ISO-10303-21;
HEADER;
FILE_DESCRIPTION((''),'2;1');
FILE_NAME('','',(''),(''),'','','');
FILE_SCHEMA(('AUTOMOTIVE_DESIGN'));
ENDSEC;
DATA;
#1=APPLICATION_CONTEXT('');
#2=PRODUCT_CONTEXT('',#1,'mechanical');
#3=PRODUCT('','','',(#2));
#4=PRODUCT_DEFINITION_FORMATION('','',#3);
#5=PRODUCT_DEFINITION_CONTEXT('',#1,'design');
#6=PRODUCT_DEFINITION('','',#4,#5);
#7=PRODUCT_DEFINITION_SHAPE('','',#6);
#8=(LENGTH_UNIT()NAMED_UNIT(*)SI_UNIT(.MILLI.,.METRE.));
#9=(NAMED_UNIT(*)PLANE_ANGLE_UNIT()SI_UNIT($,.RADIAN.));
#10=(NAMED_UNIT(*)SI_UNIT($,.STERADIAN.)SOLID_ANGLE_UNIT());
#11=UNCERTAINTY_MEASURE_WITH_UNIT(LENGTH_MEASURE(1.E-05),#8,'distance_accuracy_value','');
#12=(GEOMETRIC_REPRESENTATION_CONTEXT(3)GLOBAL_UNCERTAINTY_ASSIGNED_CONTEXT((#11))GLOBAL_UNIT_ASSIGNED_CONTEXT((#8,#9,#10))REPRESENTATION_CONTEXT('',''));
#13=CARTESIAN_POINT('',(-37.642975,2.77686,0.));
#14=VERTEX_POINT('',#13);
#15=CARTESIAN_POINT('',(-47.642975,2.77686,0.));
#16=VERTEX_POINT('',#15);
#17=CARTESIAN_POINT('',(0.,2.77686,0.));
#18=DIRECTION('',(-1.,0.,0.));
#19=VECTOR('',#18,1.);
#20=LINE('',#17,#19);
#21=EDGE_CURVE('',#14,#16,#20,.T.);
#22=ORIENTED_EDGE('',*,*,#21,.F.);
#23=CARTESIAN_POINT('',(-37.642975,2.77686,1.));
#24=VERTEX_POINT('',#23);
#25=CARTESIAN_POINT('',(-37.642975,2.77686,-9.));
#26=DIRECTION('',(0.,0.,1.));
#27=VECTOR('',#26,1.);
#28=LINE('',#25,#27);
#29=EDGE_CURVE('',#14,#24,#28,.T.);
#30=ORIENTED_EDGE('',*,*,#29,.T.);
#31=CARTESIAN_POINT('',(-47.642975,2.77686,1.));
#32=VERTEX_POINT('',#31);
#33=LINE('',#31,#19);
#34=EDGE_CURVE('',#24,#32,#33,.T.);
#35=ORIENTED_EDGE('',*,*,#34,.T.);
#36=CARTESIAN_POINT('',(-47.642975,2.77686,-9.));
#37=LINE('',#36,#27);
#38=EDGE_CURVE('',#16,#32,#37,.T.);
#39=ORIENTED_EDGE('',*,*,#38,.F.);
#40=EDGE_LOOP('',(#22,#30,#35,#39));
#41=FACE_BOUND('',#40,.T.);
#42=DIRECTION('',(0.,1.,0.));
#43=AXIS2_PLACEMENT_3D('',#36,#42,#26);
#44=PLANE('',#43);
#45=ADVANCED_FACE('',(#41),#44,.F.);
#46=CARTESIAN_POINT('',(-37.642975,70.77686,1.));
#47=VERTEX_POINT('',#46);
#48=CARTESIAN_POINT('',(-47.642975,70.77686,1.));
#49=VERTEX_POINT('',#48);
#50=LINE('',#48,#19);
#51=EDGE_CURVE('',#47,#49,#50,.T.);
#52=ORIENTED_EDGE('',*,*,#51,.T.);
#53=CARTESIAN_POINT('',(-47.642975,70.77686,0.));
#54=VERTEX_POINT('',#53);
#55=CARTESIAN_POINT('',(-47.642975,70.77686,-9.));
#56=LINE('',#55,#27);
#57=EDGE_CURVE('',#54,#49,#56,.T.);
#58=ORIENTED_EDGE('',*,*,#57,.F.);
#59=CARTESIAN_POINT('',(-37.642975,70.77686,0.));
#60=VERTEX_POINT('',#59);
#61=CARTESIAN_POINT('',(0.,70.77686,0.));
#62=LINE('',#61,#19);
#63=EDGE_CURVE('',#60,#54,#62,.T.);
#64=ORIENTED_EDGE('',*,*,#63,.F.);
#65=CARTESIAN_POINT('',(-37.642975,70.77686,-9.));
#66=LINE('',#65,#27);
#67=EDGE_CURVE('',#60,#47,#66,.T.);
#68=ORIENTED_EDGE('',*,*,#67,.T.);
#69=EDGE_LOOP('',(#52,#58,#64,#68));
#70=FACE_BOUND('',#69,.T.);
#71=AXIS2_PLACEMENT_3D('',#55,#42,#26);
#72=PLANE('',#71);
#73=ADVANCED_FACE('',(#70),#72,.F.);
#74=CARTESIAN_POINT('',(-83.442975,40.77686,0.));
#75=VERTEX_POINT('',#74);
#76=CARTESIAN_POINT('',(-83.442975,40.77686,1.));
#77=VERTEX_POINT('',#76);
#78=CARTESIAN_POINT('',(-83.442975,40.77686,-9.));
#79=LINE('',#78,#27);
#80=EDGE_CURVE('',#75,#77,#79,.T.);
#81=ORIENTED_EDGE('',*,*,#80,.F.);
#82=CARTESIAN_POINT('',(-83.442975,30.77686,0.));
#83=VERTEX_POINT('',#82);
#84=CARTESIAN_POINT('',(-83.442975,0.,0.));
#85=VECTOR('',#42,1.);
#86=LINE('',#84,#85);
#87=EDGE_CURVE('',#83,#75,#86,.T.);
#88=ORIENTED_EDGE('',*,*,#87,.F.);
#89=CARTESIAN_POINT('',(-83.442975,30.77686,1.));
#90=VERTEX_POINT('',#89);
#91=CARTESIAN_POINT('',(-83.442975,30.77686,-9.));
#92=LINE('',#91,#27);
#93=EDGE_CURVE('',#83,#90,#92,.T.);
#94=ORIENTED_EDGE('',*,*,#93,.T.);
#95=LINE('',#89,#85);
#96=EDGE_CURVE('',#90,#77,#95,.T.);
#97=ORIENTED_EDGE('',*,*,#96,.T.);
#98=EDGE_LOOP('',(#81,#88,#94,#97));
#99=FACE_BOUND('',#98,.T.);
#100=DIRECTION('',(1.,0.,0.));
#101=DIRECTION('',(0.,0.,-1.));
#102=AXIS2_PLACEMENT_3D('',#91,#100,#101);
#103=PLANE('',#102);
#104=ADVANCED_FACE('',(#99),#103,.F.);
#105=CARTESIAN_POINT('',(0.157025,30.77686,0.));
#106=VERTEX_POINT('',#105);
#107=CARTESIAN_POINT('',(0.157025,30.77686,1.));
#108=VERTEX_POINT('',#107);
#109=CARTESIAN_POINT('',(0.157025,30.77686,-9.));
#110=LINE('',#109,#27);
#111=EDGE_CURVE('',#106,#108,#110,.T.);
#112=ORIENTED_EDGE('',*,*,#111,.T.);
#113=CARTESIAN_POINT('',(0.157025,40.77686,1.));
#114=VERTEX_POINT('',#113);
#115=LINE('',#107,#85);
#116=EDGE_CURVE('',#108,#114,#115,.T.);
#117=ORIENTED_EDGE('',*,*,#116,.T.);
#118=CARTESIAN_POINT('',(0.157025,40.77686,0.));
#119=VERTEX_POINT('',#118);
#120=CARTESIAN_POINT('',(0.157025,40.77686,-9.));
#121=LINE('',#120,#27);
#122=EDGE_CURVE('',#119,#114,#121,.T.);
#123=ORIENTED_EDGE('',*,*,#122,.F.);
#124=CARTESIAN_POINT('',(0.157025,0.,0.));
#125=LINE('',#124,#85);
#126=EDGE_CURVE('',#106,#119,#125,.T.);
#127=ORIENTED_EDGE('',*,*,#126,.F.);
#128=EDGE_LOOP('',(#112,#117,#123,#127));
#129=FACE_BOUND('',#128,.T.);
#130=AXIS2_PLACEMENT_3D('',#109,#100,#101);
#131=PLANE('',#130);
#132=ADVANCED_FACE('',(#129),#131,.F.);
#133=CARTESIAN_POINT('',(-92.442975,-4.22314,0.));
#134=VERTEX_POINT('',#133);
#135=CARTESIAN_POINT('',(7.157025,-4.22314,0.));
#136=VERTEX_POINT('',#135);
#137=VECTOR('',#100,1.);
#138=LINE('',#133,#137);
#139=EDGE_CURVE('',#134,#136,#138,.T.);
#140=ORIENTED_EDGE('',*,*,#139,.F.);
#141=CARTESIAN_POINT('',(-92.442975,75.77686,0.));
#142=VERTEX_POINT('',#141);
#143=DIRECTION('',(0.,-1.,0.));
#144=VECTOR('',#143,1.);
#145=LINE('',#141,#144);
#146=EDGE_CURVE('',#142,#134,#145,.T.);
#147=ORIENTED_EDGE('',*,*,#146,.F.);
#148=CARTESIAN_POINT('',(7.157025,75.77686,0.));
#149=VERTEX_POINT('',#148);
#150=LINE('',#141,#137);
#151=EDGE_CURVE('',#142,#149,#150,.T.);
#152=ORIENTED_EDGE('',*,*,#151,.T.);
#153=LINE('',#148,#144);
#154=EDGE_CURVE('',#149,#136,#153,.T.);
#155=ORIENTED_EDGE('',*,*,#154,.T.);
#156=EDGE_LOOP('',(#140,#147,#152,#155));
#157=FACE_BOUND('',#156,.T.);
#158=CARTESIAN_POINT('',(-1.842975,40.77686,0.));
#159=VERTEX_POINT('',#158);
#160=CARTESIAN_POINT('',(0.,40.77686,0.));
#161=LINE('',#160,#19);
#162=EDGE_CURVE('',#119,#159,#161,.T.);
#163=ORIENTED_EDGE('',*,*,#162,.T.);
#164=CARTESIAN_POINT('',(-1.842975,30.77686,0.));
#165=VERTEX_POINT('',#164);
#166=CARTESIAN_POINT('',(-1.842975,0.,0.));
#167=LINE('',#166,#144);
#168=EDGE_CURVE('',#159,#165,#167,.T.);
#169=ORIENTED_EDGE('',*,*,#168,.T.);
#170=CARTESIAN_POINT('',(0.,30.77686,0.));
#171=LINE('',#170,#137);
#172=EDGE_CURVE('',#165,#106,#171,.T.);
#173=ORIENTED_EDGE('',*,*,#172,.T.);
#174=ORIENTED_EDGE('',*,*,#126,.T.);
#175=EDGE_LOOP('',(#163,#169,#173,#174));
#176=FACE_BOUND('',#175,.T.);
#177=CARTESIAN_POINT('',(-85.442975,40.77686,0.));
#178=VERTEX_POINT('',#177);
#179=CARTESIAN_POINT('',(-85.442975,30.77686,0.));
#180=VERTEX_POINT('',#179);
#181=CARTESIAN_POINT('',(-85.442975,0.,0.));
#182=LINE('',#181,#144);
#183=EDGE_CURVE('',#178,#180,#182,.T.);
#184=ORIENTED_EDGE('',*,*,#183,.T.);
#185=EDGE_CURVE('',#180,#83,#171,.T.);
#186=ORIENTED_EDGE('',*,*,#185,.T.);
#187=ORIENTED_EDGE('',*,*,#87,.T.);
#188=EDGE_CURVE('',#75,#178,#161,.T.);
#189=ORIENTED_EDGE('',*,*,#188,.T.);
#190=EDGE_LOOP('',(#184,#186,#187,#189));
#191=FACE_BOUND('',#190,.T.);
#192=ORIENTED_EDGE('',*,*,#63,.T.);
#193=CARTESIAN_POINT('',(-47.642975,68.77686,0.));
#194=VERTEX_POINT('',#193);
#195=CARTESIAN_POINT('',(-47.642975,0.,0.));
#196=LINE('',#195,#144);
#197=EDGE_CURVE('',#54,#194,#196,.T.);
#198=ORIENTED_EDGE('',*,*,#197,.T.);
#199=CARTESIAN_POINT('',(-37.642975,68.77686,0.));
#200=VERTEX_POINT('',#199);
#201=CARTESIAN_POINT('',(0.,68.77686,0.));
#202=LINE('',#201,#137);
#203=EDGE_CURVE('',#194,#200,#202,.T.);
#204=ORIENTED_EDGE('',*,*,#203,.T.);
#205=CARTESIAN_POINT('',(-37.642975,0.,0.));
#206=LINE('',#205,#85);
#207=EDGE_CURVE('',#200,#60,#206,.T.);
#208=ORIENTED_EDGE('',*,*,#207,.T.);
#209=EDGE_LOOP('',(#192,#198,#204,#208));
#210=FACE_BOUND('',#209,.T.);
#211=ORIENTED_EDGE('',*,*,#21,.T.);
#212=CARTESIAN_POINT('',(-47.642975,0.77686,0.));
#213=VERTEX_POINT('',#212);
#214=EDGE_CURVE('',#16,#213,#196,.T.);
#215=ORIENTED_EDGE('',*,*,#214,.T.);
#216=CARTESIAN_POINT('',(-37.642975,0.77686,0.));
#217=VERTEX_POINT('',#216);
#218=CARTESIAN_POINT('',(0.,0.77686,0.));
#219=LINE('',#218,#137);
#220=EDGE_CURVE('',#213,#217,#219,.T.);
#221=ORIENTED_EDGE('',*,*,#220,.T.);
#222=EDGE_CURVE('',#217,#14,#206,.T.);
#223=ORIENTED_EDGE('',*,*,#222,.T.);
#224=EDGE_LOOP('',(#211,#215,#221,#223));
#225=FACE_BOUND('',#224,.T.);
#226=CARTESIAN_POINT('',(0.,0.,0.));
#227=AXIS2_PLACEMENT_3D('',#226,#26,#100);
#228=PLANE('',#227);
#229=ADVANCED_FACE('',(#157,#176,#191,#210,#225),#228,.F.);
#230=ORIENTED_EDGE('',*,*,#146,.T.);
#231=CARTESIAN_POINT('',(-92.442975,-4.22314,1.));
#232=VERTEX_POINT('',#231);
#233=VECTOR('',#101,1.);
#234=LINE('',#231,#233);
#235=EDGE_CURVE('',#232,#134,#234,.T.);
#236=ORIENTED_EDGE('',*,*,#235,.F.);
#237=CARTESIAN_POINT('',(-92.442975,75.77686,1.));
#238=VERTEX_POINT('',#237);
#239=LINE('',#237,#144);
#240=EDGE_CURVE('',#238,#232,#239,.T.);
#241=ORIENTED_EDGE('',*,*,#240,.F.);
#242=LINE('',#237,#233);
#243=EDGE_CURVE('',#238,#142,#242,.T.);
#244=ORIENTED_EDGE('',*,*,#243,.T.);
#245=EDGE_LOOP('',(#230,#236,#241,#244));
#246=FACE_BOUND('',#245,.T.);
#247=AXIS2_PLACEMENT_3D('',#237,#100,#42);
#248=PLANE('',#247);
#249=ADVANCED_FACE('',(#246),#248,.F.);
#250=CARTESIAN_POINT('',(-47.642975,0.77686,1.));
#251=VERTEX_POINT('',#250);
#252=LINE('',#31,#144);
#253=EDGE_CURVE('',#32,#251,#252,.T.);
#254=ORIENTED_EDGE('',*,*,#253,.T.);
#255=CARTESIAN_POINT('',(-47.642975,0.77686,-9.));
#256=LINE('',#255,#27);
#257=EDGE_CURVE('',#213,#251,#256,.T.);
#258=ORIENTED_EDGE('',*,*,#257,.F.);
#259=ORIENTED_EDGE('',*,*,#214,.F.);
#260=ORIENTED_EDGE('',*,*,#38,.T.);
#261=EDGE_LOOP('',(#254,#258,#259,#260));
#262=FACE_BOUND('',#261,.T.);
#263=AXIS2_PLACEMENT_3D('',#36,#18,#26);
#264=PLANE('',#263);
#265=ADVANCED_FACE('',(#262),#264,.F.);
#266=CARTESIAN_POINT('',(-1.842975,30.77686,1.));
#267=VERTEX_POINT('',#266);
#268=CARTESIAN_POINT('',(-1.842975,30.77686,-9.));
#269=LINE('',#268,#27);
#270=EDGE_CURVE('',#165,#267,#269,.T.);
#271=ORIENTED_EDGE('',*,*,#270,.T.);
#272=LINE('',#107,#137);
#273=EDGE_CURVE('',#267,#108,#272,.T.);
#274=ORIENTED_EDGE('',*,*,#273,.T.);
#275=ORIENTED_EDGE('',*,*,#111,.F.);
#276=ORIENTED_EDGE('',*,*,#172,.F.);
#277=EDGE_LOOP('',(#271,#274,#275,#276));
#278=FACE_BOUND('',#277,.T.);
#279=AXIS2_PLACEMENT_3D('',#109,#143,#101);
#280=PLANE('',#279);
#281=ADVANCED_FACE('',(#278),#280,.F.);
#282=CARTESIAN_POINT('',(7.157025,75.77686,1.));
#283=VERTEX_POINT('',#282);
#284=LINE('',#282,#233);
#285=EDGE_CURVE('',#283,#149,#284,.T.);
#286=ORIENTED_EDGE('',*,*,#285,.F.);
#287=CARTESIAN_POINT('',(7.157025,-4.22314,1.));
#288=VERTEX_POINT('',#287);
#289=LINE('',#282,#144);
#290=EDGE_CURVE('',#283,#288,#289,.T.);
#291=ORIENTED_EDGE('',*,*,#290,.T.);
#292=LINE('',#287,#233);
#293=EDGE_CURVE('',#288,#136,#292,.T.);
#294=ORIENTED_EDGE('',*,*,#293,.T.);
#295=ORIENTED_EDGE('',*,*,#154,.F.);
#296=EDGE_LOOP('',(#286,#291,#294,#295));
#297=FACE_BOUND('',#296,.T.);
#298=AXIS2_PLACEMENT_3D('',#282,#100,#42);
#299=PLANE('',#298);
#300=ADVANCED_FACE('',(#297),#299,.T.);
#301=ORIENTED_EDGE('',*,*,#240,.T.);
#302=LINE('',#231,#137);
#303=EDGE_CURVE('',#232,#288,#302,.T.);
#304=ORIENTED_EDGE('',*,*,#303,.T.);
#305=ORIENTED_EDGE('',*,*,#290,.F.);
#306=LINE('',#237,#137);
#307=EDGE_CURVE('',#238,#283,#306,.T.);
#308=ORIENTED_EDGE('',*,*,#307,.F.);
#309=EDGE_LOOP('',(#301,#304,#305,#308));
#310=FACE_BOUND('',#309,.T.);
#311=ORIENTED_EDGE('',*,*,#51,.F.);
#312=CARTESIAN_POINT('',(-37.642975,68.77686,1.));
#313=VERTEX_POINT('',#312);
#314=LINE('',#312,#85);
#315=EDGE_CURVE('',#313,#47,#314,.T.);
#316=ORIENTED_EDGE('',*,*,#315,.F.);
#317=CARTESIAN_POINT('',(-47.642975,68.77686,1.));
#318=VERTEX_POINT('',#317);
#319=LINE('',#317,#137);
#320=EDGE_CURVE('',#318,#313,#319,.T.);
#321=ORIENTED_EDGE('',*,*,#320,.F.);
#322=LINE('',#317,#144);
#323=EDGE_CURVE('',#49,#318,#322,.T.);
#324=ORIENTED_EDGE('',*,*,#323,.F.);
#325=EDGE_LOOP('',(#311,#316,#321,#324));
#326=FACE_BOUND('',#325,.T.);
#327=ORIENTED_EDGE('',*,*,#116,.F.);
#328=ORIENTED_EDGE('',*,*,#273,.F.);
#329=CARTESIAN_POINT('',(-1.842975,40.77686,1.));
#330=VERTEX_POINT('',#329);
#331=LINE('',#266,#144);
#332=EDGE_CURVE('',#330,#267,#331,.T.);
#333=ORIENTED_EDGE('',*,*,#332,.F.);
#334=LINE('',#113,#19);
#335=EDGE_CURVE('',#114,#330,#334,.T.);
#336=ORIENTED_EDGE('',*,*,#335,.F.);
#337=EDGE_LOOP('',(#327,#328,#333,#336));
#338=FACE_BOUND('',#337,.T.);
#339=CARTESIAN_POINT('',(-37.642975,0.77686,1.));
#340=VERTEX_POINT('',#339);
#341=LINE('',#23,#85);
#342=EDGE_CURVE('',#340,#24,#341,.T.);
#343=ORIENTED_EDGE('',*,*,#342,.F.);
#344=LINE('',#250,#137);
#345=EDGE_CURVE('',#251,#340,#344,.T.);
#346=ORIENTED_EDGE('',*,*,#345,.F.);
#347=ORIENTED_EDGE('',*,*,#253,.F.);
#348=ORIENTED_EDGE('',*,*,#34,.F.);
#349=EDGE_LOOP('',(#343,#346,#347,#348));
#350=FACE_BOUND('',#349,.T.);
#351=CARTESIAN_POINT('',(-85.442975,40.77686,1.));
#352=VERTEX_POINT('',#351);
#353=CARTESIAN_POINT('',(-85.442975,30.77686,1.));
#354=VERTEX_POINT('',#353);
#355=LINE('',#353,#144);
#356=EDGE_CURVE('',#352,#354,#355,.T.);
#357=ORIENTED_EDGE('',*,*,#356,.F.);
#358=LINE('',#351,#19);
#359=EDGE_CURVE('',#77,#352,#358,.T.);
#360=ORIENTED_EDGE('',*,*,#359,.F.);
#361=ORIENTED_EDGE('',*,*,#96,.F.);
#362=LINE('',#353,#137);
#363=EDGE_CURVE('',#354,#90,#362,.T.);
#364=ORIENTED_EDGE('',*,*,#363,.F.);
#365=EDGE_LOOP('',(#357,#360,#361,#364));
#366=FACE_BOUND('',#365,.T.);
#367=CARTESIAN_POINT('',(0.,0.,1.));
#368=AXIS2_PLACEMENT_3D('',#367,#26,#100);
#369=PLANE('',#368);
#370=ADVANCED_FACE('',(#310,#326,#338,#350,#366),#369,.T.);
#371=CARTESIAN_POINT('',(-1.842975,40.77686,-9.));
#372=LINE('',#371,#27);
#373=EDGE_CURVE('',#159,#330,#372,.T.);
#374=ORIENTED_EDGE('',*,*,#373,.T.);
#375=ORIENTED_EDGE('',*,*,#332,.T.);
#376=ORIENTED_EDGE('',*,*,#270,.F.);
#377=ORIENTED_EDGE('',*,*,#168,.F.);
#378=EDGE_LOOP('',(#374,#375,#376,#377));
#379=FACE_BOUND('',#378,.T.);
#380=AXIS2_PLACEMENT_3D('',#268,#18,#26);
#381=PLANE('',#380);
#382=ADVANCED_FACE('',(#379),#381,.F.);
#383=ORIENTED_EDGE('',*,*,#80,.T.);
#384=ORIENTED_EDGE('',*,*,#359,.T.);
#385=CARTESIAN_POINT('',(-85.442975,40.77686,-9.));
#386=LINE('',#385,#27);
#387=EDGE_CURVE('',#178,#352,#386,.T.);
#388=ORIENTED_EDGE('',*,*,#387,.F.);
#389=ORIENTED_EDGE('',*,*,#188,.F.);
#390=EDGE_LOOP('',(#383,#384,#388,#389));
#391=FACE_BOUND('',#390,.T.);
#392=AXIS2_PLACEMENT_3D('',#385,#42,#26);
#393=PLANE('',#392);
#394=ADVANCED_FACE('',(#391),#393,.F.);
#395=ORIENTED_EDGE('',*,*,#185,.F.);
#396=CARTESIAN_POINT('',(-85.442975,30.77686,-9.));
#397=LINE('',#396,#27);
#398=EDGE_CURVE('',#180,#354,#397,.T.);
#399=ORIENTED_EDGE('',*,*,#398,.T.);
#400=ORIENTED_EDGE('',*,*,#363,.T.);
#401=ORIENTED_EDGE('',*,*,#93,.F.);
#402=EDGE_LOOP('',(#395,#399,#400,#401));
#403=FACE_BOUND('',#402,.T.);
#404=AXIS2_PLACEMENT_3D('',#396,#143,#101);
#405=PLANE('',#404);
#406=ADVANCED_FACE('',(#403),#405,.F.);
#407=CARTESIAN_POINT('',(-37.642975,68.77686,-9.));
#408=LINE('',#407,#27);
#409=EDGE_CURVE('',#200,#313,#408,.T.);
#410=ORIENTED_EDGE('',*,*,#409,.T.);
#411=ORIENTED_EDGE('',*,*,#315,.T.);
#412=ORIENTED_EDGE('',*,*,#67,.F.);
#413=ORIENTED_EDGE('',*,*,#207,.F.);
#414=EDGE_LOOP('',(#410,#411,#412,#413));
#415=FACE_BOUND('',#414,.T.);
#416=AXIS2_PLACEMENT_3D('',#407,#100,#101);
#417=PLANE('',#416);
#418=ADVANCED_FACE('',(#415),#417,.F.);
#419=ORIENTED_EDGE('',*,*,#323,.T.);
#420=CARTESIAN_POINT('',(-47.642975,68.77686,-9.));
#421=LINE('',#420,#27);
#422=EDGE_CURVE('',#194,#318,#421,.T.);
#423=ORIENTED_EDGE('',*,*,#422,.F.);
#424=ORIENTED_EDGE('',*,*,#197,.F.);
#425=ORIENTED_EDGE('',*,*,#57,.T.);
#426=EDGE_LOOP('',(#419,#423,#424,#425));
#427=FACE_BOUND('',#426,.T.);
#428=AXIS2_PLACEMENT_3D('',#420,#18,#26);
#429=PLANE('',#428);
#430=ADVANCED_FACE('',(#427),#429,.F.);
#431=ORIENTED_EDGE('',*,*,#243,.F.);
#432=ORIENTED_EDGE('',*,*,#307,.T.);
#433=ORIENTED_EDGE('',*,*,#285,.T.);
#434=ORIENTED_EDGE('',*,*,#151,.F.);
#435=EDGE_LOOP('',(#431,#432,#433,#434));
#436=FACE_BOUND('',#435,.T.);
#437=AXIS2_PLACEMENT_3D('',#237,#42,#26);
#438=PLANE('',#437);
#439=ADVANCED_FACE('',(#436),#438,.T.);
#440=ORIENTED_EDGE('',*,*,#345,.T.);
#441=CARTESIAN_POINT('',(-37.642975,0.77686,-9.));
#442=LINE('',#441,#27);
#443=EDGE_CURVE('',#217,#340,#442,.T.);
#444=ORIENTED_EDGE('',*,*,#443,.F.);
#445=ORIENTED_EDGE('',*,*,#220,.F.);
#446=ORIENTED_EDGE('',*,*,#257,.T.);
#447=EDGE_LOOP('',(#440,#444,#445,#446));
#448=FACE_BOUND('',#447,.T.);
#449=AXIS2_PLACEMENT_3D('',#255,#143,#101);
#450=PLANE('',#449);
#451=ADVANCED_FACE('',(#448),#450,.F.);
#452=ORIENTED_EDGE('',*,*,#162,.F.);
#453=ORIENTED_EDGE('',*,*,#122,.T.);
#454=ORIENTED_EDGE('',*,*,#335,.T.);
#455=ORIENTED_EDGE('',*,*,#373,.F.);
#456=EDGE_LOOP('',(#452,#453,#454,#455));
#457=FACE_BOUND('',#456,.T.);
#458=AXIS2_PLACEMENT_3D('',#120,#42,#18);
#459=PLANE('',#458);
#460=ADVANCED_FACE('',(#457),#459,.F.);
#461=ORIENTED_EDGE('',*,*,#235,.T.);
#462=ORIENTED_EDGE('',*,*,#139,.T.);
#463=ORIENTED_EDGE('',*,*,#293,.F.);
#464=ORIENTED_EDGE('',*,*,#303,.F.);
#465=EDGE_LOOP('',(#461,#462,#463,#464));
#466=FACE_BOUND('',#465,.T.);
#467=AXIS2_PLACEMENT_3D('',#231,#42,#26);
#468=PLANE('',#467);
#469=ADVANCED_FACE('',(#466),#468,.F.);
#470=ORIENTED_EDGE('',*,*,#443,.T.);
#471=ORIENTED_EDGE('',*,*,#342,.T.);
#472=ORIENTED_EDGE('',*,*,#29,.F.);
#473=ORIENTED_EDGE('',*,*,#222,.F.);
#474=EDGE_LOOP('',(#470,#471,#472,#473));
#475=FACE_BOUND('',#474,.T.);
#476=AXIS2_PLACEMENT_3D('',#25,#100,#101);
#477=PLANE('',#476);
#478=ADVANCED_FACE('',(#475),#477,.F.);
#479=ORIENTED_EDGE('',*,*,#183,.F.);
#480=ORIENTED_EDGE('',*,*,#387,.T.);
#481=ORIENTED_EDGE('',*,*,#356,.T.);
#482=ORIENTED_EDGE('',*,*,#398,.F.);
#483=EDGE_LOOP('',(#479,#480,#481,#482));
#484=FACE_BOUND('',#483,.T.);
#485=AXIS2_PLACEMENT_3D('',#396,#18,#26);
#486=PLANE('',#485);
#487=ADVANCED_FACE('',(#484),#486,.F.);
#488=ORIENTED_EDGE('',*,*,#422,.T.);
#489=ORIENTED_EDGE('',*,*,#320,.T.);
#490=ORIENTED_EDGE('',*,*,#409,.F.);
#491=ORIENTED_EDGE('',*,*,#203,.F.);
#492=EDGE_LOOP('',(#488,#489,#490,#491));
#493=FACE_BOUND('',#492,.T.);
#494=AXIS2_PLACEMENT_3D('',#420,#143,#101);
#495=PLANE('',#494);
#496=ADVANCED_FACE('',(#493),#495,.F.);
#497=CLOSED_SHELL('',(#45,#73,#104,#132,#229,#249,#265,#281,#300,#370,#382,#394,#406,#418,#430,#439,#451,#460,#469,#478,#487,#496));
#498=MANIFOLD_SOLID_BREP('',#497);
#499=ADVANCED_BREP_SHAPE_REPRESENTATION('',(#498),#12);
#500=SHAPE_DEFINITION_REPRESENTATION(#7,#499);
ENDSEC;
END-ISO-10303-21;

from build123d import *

# Parameters (mm, degrees)
SKETCH_1_W          = 99.6
SKETCH_1_H          = 80
EXTRUDE_1_DEPTH     = 1
SKETCH_2_W          = 10
SKETCH_2_H          = 2
SKETCH_2_W_2        = 2
SKETCH_2_H_2        = 10
CUT_EXTRUDE_1_DEPTH = 10


with BuildPart() as part:
    # 草图1 → 凸台-拉伸1 (new body)
    with BuildSketch(Plane.XY):
        with Locations((-42.642975207, 35.776859504)):
            Rectangle(SKETCH_1_W, SKETCH_1_H)
    extrude(amount=EXTRUDE_1_DEPTH)

    # 草图2 → 切除-拉伸1 (cut)
    with BuildSketch(Plane.XY.offset(1)):
        with Locations((-42.642975207, 69.776859504)):
            Rectangle(SKETCH_2_W, SKETCH_2_H)
        with Locations((-42.642975207, 1.776859504)):
            Rectangle(SKETCH_2_W, SKETCH_2_H)
        with Locations((-84.442975207, 35.776859504)):
            Rectangle(SKETCH_2_W_2, SKETCH_2_H_2)
        with Locations((-0.842975207, 35.776859504)):
            Rectangle(SKETCH_2_W_2, SKETCH_2_H_2)
    extrude(amount=-CUT_EXTRUDE_1_DEPTH, mode=Mode.SUBTRACT)


solid = part.part
